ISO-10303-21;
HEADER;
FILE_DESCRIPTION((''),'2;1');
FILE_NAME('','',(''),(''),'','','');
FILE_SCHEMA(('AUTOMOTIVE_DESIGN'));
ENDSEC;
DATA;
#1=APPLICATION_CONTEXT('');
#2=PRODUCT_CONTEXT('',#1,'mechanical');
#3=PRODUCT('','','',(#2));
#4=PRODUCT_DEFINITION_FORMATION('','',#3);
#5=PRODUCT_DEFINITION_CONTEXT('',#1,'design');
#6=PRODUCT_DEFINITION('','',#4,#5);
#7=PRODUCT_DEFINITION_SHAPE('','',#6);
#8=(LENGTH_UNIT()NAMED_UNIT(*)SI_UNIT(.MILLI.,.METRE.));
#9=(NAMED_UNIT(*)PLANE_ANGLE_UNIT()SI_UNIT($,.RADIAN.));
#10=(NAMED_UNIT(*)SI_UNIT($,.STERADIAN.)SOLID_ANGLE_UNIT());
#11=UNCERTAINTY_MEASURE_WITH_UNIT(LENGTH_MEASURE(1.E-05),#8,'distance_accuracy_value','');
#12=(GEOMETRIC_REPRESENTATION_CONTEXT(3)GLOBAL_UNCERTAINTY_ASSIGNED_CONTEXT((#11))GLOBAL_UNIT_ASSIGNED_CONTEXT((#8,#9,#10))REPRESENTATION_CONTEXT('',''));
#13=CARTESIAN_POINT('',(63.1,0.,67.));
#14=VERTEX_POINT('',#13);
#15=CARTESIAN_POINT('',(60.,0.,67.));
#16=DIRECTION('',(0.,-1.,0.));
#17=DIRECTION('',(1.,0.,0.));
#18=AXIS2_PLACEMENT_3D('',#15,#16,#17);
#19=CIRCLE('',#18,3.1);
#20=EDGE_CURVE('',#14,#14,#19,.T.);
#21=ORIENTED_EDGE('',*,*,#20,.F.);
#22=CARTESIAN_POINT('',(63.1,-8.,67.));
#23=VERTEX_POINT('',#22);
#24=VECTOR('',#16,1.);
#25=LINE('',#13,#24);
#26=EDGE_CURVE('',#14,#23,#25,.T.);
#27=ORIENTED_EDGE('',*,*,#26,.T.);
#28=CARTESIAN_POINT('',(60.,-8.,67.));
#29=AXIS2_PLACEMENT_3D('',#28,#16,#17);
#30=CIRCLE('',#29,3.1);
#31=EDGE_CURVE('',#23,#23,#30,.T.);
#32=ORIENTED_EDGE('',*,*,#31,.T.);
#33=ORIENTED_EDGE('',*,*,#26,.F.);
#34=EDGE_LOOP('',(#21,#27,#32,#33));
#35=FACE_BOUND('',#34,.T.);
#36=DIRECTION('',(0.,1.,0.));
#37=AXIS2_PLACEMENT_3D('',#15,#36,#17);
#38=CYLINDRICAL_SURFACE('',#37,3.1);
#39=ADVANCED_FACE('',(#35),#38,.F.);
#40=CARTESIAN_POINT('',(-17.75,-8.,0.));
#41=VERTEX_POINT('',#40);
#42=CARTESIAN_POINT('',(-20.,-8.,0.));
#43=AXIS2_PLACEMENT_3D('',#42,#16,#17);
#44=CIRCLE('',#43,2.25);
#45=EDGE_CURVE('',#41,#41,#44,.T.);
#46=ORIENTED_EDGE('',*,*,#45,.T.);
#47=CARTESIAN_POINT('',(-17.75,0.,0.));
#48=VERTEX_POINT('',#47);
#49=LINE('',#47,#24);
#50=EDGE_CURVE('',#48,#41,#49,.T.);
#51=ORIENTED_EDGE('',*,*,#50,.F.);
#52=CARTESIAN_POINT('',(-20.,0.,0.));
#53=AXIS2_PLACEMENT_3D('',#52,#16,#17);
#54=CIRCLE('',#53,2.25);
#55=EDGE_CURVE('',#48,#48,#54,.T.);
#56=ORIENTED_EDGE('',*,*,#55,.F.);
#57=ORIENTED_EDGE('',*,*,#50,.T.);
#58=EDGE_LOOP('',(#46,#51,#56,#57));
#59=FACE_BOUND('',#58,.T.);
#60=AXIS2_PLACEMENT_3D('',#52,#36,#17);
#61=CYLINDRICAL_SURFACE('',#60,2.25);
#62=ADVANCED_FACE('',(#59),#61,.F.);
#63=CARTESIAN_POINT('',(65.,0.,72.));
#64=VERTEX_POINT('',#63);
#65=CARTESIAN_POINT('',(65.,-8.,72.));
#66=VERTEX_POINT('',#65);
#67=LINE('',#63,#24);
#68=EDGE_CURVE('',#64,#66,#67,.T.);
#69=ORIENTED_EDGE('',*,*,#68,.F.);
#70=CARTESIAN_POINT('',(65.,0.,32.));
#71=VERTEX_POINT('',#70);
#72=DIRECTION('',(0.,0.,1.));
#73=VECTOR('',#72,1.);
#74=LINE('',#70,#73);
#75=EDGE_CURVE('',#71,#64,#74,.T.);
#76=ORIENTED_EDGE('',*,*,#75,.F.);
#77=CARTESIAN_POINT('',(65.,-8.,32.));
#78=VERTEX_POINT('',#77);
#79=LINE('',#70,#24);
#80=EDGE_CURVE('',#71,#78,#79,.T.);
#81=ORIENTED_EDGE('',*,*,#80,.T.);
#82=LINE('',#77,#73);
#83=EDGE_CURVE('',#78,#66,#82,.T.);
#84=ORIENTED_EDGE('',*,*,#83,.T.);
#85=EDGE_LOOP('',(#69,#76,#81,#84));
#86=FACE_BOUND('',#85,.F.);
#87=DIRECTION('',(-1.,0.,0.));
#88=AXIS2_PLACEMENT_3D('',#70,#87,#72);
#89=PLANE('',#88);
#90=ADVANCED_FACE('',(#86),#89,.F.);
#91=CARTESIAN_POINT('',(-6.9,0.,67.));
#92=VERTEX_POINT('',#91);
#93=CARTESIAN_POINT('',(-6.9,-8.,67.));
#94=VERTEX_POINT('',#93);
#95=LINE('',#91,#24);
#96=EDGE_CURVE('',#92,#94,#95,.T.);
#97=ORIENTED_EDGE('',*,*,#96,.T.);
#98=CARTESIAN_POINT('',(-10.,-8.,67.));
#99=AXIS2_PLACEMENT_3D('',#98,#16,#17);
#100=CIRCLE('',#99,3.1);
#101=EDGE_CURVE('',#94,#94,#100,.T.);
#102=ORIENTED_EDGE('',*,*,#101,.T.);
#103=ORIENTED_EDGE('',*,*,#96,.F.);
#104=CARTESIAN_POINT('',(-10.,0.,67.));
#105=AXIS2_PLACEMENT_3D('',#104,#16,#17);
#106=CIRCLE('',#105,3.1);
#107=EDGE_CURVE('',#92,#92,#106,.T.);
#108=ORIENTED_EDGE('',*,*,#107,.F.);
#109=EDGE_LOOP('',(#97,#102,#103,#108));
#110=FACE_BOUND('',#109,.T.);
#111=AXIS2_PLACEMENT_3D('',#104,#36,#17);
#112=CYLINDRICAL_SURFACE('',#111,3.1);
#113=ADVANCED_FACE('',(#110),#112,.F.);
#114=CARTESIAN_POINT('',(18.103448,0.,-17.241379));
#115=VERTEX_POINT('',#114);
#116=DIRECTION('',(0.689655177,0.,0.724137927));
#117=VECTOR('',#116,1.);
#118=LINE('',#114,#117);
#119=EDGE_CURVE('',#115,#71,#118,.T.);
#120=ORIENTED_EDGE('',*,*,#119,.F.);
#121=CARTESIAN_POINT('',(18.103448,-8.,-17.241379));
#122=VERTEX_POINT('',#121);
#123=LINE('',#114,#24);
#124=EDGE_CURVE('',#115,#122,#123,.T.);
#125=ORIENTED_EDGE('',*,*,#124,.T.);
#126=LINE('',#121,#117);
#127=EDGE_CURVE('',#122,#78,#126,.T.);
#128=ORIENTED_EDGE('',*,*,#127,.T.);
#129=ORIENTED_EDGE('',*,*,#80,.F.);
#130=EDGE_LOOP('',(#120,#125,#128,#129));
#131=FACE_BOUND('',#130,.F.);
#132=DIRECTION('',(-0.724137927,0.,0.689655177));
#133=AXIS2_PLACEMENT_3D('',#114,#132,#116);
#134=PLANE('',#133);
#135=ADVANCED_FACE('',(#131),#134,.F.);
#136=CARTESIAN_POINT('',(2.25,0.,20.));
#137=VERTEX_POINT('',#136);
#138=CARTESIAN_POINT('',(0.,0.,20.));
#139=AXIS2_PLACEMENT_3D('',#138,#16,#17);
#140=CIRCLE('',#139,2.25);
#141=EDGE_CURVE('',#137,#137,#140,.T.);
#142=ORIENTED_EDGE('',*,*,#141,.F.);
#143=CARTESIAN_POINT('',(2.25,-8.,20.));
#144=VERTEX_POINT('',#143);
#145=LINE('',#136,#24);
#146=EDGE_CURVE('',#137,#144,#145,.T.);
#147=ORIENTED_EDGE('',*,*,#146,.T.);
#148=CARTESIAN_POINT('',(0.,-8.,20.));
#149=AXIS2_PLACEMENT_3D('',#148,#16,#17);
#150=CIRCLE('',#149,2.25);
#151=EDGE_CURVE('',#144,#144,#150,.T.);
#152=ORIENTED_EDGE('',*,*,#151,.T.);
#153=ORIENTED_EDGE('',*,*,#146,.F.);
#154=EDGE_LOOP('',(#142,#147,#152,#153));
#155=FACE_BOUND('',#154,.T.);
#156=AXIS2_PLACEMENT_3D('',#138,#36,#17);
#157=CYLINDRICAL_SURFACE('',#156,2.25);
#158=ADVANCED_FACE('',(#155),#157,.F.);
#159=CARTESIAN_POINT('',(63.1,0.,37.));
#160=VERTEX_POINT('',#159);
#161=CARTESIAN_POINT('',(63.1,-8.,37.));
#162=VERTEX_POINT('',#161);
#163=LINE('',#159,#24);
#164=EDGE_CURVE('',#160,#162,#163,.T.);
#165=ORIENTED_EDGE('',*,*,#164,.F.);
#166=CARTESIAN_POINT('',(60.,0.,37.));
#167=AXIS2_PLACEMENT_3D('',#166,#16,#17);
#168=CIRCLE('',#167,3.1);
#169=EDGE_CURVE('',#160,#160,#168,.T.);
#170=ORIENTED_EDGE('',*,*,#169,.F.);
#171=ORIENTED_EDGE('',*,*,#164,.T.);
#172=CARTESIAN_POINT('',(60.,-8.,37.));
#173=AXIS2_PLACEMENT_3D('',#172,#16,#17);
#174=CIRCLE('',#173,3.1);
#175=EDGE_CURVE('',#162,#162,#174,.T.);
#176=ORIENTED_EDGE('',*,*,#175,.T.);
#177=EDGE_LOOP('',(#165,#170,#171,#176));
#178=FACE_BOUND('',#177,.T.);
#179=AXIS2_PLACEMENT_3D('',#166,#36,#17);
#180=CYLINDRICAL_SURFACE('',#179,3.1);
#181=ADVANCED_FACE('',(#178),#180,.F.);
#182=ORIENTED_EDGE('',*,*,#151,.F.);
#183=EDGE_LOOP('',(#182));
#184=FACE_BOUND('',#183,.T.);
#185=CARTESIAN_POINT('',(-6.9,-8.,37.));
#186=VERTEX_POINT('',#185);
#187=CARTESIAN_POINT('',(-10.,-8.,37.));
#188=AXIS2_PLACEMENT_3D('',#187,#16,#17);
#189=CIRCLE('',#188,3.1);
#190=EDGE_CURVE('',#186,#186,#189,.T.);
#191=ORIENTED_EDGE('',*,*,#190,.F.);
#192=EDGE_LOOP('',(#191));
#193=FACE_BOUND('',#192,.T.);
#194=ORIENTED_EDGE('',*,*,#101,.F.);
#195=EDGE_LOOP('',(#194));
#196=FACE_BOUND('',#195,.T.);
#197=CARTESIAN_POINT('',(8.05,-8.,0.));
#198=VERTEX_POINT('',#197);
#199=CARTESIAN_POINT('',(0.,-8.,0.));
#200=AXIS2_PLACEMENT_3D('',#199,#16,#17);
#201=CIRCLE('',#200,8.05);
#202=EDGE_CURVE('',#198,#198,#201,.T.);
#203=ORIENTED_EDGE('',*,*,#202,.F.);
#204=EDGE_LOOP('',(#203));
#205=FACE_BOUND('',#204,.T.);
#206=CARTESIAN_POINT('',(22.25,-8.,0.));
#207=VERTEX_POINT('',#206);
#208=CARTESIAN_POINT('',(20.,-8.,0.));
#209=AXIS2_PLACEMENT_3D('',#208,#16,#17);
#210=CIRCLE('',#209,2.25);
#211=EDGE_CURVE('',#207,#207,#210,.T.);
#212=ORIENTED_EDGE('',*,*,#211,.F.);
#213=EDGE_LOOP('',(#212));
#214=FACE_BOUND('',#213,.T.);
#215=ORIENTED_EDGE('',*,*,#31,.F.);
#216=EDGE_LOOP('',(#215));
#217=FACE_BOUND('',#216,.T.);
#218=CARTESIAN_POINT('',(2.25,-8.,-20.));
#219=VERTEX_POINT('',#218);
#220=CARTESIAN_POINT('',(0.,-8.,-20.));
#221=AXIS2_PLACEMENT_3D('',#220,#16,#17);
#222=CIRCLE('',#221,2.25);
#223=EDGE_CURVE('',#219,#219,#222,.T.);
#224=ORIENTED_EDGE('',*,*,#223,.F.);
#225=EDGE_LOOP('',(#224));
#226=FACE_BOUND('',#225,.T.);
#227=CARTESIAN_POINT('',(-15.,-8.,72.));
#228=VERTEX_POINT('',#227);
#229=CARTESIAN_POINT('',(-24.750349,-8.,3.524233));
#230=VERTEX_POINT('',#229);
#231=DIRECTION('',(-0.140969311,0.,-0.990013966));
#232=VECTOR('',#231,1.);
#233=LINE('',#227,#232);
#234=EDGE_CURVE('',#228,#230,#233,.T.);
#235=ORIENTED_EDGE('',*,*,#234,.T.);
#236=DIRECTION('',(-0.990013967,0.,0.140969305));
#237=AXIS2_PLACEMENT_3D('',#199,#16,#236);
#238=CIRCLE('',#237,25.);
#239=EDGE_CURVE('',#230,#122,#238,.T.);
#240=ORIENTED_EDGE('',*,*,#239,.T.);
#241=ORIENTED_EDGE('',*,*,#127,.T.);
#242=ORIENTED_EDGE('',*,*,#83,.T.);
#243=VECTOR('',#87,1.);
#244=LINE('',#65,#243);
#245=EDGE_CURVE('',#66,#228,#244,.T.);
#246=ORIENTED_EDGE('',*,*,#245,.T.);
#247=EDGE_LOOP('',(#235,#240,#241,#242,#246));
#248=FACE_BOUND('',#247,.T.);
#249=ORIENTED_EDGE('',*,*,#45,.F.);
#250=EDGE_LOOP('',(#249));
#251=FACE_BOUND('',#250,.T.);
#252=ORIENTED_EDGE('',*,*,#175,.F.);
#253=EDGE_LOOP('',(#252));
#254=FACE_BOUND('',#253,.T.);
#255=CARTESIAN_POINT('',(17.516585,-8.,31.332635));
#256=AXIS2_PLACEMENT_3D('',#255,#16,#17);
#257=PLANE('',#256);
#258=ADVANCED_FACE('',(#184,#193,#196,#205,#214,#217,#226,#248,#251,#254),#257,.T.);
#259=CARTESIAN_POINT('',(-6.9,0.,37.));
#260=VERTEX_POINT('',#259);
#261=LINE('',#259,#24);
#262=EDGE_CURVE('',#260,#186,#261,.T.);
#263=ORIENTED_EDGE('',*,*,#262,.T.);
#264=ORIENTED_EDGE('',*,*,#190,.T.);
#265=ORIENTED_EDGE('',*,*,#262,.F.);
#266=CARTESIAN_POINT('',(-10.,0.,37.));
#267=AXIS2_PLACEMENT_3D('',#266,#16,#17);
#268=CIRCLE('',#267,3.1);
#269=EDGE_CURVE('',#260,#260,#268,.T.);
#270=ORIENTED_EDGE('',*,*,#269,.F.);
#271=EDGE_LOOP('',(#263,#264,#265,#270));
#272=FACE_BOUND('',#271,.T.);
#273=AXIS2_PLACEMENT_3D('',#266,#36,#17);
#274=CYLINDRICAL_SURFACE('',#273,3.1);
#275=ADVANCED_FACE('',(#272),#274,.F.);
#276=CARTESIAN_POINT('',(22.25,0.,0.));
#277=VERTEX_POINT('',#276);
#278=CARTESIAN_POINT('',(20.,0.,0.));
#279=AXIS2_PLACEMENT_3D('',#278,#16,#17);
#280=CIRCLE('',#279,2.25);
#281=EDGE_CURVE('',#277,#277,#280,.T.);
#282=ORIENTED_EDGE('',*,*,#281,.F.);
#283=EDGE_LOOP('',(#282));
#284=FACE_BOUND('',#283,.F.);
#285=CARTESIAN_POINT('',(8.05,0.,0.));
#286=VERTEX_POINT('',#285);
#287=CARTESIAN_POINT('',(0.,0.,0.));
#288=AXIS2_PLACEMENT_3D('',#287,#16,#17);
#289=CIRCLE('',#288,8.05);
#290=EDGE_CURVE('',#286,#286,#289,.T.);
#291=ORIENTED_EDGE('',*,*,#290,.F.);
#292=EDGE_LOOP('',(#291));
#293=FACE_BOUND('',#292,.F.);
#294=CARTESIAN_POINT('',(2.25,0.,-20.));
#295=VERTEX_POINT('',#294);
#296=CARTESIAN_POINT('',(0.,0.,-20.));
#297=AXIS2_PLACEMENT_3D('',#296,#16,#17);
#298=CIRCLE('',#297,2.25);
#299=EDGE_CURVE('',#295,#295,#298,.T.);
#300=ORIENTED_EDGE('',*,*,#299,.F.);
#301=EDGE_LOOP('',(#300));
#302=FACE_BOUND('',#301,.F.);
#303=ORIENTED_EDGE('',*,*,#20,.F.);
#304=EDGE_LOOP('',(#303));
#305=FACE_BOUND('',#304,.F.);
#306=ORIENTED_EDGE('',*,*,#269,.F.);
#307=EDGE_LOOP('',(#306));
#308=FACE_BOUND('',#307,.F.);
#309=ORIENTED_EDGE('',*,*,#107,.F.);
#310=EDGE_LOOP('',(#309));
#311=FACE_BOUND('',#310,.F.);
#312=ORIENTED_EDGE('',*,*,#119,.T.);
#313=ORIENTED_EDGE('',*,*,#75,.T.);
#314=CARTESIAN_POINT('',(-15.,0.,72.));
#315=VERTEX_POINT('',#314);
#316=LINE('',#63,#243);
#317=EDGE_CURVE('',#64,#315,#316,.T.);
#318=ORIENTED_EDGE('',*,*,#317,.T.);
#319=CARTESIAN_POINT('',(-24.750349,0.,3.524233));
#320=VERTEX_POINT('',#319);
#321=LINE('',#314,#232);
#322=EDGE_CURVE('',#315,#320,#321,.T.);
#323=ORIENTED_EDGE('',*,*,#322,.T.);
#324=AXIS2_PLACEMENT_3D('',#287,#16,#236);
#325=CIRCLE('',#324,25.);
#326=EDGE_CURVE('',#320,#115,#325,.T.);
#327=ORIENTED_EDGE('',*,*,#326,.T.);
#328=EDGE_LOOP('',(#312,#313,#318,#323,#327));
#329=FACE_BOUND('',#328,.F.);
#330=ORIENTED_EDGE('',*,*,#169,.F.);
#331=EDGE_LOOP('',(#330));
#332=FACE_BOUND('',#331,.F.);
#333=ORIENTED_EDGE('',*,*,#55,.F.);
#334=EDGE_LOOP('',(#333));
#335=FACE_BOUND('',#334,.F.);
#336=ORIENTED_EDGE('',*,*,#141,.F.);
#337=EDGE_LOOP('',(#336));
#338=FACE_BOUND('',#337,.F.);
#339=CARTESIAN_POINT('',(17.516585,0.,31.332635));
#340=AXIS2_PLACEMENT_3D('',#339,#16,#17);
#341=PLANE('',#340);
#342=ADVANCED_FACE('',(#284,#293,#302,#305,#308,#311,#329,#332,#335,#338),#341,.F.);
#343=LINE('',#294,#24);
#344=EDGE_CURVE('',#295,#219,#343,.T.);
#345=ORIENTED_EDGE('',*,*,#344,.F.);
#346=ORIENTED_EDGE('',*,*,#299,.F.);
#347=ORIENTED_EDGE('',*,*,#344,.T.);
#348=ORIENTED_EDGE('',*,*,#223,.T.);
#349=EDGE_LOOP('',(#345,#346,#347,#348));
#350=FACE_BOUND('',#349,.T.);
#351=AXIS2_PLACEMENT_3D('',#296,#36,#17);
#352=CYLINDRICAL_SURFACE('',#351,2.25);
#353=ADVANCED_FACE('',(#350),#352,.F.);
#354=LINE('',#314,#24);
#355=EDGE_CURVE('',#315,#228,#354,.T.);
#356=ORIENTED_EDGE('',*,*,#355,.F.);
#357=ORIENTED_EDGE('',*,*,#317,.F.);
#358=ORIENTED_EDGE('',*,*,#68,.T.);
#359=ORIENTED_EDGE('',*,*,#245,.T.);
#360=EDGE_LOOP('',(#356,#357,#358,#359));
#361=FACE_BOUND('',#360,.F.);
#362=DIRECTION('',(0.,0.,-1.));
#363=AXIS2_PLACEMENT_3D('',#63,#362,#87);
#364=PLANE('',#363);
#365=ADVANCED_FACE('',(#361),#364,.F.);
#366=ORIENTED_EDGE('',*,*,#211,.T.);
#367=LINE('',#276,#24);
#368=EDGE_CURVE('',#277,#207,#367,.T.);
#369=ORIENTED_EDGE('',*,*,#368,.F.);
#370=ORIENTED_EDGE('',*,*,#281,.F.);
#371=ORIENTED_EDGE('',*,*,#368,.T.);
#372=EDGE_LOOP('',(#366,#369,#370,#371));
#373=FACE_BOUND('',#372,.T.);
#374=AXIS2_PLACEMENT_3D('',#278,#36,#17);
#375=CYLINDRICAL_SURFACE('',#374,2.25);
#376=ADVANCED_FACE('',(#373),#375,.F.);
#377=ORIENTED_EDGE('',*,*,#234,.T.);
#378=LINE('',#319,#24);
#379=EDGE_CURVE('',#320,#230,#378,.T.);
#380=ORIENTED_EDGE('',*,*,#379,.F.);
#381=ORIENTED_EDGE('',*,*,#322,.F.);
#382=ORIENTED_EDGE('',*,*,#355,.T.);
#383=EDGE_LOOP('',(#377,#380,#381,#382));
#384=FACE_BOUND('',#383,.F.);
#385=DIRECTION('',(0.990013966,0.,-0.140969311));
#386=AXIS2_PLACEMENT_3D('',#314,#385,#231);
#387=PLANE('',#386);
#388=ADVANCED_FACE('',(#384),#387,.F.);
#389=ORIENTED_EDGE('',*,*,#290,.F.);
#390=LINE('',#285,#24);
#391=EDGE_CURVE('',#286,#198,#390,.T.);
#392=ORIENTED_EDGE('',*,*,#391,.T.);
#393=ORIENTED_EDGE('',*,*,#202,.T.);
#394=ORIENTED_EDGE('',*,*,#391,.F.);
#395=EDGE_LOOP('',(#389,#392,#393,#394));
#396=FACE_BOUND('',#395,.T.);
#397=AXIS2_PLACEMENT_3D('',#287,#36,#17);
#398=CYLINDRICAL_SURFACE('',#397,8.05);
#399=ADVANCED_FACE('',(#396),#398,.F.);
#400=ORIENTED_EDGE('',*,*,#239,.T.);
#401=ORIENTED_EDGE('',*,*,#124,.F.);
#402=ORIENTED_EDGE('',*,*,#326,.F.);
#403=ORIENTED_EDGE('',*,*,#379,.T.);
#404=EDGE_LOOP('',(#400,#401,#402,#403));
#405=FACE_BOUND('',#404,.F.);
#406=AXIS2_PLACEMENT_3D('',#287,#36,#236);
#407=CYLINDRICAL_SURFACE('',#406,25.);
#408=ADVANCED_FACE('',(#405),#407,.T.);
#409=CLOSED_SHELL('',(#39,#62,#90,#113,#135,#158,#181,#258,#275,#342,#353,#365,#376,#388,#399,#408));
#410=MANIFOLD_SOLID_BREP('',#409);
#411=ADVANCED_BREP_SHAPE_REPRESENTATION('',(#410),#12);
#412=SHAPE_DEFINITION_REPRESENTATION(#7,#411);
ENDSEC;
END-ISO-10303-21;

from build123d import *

# Parameters (mm, degrees)
F0_R     = 2.25
F0_R_2   = 8.05
F0_R_3   = 3.1
F1_DEPTH = 8


with BuildPart() as f1:
    # F0 (on Front) → F1 (new body)
    with BuildSketch(Plane.XZ):
        with BuildLine():
            Line((65, 72), (-15, 72))
            Line((-15, 72), (-24.750349, 3.524233))
            ThreePointArc((-24.750349, 3.524233), (-10.901742, -22.497822), (18.103448, -17.241379))
            Line((18.103448, -17.241379), (65, 32))
            Line((65, 32), (65, 72))
        make_face()
        with Locations((0, -20)):
            Circle(F0_R, mode=Mode.SUBTRACT)
        with Locations((-20, 0)):
            Circle(F0_R, mode=Mode.SUBTRACT)
        Circle(F0_R_2, mode=Mode.SUBTRACT)
        with Locations((0, 20)):
            Circle(F0_R, mode=Mode.SUBTRACT)
        with Locations((20, 0)):
            Circle(F0_R, mode=Mode.SUBTRACT)
        with Locations((-10, 37)):
            Circle(F0_R_3, mode=Mode.SUBTRACT)
        with Locations((-10, 67)):
            Circle(F0_R_3, mode=Mode.SUBTRACT)
        with Locations((60, 37)):
            Circle(F0_R_3, mode=Mode.SUBTRACT)
        with Locations((60, 67)):
            Circle(F0_R_3, mode=Mode.SUBTRACT)
    extrude(amount=F1_DEPTH)


solid = f1.part
